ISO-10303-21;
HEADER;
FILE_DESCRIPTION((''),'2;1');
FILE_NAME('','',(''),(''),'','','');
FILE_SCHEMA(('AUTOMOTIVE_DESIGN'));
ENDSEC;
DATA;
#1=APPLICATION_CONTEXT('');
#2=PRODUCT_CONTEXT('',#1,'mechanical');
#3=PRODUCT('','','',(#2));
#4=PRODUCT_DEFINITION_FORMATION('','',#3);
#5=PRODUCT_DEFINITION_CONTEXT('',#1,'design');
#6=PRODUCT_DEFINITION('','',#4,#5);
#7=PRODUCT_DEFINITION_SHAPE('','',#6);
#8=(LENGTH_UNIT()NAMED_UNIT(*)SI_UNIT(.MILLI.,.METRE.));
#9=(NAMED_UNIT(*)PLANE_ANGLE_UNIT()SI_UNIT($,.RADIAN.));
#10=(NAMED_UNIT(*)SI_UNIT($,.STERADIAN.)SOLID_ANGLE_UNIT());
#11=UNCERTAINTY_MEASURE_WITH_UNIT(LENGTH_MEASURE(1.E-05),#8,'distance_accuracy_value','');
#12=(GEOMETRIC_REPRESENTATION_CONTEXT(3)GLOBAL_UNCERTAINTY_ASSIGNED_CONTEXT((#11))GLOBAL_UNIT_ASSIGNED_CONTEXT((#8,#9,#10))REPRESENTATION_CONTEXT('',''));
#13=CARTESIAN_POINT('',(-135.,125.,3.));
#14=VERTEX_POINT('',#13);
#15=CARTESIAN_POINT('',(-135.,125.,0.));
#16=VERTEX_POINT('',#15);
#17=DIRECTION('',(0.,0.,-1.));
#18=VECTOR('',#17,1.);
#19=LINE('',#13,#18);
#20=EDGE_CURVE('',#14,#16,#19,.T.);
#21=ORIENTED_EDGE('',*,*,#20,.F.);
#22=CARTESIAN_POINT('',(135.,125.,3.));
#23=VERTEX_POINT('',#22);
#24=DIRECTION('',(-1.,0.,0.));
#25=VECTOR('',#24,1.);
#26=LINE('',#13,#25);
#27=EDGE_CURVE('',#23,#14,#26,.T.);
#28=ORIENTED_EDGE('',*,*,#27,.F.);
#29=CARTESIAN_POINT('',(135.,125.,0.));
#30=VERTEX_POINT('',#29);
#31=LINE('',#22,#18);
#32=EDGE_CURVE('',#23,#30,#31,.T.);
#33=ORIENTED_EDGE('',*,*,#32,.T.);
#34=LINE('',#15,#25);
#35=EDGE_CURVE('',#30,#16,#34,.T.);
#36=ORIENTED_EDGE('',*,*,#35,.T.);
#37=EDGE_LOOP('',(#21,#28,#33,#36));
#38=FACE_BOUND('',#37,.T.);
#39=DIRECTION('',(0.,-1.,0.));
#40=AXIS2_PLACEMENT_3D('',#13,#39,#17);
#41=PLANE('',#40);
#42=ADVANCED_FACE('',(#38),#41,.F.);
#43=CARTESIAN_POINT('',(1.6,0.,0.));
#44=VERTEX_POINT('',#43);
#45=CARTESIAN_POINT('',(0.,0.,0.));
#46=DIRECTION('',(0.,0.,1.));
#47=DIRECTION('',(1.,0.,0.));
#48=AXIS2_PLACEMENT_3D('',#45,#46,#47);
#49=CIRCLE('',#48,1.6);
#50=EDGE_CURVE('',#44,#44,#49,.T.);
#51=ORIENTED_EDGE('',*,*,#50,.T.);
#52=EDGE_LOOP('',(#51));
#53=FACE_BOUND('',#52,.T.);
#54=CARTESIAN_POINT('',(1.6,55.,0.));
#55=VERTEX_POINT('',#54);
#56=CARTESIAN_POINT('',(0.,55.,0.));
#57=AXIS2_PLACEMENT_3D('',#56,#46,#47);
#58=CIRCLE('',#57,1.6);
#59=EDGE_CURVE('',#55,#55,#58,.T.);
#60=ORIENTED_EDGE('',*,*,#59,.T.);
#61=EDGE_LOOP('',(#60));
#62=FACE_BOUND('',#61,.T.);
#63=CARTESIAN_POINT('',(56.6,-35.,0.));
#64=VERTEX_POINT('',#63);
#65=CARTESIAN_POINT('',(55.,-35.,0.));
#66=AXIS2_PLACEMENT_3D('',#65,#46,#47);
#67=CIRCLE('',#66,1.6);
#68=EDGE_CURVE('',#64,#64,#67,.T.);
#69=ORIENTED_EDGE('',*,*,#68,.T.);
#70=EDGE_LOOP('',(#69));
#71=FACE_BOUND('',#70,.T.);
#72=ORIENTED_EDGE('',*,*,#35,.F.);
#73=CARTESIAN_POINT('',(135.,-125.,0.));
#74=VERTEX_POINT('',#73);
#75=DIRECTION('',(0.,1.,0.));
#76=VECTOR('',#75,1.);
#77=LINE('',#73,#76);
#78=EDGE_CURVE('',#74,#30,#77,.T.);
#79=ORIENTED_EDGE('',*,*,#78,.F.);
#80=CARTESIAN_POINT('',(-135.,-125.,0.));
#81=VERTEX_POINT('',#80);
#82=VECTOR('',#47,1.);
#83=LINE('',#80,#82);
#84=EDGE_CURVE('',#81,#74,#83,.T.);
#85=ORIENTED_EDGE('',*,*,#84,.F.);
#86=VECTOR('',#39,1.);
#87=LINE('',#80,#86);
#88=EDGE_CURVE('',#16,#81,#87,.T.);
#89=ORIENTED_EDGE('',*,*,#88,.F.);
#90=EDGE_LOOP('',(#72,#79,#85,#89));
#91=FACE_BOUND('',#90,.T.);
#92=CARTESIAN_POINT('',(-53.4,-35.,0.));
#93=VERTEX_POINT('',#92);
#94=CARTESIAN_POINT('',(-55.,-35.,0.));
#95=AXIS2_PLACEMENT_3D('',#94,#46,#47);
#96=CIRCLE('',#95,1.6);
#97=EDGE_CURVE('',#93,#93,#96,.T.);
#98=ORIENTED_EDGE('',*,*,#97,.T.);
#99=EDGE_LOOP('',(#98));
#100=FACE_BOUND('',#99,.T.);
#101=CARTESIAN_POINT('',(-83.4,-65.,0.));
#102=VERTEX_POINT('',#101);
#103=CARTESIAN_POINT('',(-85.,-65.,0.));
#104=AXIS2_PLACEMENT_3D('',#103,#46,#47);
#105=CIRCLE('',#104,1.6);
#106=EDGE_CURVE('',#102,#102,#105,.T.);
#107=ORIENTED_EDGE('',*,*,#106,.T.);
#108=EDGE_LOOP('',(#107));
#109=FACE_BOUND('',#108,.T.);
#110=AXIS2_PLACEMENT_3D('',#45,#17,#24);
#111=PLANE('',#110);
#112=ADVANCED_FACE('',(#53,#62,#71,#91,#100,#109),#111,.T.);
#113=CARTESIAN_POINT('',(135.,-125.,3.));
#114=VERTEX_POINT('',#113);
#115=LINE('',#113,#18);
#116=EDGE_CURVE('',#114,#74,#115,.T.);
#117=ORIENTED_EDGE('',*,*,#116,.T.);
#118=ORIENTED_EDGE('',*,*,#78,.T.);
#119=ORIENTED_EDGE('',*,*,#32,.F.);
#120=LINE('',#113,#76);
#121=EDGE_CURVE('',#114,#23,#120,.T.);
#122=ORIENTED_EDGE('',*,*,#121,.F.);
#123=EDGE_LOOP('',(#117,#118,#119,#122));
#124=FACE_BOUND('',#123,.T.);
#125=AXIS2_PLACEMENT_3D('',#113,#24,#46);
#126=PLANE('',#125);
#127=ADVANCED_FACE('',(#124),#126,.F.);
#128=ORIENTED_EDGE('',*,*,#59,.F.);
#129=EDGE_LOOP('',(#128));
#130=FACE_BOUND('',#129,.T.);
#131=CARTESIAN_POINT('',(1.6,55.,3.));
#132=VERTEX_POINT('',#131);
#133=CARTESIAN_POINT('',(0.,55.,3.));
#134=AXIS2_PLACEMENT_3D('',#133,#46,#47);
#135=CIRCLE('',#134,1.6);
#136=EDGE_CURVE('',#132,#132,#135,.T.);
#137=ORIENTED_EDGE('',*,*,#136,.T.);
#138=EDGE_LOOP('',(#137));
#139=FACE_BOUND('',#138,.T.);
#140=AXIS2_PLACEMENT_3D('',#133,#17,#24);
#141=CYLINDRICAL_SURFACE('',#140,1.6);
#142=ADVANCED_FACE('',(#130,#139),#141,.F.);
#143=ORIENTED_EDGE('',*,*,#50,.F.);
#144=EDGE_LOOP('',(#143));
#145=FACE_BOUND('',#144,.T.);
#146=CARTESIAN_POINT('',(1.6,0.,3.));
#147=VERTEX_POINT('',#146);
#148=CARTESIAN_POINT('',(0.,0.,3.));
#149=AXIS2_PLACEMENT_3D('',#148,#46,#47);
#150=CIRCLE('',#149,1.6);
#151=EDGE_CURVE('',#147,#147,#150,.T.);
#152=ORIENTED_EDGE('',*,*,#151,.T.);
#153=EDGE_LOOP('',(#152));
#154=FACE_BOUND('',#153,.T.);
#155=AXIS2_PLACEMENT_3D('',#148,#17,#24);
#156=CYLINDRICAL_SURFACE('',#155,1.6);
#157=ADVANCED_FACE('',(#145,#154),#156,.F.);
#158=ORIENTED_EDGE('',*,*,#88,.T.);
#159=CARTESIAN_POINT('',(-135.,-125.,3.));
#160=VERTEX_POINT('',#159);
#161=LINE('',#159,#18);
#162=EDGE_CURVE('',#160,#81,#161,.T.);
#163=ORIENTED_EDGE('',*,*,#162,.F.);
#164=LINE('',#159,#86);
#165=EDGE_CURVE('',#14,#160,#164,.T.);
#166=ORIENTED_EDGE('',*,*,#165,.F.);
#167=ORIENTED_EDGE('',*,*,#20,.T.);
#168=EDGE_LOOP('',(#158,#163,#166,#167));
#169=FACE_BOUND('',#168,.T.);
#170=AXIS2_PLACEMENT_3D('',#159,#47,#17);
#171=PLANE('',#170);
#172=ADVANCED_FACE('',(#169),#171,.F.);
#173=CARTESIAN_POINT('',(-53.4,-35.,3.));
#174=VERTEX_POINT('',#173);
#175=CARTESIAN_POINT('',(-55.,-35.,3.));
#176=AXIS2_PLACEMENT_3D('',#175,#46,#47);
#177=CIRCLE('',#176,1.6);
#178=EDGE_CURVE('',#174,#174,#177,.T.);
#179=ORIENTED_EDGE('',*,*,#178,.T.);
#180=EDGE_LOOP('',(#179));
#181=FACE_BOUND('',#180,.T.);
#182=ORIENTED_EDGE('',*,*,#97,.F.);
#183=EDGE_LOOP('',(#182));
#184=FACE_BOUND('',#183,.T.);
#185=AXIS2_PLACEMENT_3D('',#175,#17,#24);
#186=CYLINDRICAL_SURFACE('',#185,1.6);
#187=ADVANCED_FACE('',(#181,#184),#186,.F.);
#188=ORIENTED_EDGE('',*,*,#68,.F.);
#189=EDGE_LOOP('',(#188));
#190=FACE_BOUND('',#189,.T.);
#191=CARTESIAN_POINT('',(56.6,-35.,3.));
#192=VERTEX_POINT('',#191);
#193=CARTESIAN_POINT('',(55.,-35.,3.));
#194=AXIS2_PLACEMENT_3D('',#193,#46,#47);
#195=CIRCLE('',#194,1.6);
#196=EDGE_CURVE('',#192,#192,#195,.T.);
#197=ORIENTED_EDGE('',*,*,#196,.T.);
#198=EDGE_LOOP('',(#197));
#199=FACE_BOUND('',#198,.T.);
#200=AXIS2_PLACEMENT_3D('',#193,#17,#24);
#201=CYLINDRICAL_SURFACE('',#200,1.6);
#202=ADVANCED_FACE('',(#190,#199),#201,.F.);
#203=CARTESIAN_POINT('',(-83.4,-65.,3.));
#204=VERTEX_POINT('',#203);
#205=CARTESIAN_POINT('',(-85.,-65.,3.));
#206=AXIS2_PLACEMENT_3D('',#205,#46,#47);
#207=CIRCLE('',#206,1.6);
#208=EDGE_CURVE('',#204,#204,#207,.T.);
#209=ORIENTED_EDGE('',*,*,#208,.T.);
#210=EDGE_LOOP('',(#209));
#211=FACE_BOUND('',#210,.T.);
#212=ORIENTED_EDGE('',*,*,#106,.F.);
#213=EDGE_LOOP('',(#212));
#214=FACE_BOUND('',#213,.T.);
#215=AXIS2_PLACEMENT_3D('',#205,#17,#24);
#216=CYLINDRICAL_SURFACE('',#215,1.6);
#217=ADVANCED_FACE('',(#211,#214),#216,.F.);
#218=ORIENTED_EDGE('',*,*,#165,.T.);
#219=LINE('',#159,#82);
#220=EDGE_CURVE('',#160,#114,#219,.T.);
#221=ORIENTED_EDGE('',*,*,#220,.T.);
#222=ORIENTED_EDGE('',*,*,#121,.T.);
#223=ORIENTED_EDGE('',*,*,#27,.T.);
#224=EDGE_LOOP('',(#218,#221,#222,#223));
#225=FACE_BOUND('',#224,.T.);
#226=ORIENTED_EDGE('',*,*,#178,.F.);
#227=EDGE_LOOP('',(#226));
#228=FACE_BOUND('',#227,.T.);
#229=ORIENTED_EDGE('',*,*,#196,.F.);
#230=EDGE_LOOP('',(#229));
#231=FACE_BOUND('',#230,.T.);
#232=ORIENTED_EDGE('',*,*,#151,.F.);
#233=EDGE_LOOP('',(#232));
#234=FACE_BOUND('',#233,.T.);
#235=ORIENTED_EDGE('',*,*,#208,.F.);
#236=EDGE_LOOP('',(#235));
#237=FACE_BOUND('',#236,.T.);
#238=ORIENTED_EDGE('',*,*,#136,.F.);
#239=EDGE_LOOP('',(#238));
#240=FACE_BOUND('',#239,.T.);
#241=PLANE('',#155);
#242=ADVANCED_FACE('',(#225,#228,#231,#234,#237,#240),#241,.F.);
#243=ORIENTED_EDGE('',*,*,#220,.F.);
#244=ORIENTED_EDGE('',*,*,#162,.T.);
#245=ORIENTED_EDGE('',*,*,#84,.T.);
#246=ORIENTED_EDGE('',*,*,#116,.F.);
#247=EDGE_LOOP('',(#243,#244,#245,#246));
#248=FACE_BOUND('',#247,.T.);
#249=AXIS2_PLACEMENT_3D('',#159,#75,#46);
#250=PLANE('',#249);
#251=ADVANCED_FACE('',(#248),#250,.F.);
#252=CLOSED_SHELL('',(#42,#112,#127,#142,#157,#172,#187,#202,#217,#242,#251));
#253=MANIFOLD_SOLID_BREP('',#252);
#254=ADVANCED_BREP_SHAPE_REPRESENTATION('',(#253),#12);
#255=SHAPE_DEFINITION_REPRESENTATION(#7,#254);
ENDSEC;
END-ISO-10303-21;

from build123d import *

# Parameters (mm, degrees)
SKETCH_1_W      = 270
SKETCH_1_H      = 250
SKETCH_1_R      = 1.6
EXTRUDE_1_DEPTH = 3


with BuildPart() as part:
    # ｽｹｯﾁ1 → ﾎﾞｽ - 押し出し1 (new body)
    with BuildSketch(Plane.XY):
        Rectangle(SKETCH_1_W, SKETCH_1_H)
        with Locations((-85, -65)):
            Circle(SKETCH_1_R, mode=Mode.SUBTRACT)
        with Locations((0, 55)):
            Circle(SKETCH_1_R, mode=Mode.SUBTRACT)
        with Locations((-55, -35)):
            Circle(SKETCH_1_R, mode=Mode.SUBTRACT)
        with Locations((55, -35)):
            Circle(SKETCH_1_R, mode=Mode.SUBTRACT)
        Circle(SKETCH_1_R, mode=Mode.SUBTRACT)
    extrude(amount=EXTRUDE_1_DEPTH)


solid = part.part
